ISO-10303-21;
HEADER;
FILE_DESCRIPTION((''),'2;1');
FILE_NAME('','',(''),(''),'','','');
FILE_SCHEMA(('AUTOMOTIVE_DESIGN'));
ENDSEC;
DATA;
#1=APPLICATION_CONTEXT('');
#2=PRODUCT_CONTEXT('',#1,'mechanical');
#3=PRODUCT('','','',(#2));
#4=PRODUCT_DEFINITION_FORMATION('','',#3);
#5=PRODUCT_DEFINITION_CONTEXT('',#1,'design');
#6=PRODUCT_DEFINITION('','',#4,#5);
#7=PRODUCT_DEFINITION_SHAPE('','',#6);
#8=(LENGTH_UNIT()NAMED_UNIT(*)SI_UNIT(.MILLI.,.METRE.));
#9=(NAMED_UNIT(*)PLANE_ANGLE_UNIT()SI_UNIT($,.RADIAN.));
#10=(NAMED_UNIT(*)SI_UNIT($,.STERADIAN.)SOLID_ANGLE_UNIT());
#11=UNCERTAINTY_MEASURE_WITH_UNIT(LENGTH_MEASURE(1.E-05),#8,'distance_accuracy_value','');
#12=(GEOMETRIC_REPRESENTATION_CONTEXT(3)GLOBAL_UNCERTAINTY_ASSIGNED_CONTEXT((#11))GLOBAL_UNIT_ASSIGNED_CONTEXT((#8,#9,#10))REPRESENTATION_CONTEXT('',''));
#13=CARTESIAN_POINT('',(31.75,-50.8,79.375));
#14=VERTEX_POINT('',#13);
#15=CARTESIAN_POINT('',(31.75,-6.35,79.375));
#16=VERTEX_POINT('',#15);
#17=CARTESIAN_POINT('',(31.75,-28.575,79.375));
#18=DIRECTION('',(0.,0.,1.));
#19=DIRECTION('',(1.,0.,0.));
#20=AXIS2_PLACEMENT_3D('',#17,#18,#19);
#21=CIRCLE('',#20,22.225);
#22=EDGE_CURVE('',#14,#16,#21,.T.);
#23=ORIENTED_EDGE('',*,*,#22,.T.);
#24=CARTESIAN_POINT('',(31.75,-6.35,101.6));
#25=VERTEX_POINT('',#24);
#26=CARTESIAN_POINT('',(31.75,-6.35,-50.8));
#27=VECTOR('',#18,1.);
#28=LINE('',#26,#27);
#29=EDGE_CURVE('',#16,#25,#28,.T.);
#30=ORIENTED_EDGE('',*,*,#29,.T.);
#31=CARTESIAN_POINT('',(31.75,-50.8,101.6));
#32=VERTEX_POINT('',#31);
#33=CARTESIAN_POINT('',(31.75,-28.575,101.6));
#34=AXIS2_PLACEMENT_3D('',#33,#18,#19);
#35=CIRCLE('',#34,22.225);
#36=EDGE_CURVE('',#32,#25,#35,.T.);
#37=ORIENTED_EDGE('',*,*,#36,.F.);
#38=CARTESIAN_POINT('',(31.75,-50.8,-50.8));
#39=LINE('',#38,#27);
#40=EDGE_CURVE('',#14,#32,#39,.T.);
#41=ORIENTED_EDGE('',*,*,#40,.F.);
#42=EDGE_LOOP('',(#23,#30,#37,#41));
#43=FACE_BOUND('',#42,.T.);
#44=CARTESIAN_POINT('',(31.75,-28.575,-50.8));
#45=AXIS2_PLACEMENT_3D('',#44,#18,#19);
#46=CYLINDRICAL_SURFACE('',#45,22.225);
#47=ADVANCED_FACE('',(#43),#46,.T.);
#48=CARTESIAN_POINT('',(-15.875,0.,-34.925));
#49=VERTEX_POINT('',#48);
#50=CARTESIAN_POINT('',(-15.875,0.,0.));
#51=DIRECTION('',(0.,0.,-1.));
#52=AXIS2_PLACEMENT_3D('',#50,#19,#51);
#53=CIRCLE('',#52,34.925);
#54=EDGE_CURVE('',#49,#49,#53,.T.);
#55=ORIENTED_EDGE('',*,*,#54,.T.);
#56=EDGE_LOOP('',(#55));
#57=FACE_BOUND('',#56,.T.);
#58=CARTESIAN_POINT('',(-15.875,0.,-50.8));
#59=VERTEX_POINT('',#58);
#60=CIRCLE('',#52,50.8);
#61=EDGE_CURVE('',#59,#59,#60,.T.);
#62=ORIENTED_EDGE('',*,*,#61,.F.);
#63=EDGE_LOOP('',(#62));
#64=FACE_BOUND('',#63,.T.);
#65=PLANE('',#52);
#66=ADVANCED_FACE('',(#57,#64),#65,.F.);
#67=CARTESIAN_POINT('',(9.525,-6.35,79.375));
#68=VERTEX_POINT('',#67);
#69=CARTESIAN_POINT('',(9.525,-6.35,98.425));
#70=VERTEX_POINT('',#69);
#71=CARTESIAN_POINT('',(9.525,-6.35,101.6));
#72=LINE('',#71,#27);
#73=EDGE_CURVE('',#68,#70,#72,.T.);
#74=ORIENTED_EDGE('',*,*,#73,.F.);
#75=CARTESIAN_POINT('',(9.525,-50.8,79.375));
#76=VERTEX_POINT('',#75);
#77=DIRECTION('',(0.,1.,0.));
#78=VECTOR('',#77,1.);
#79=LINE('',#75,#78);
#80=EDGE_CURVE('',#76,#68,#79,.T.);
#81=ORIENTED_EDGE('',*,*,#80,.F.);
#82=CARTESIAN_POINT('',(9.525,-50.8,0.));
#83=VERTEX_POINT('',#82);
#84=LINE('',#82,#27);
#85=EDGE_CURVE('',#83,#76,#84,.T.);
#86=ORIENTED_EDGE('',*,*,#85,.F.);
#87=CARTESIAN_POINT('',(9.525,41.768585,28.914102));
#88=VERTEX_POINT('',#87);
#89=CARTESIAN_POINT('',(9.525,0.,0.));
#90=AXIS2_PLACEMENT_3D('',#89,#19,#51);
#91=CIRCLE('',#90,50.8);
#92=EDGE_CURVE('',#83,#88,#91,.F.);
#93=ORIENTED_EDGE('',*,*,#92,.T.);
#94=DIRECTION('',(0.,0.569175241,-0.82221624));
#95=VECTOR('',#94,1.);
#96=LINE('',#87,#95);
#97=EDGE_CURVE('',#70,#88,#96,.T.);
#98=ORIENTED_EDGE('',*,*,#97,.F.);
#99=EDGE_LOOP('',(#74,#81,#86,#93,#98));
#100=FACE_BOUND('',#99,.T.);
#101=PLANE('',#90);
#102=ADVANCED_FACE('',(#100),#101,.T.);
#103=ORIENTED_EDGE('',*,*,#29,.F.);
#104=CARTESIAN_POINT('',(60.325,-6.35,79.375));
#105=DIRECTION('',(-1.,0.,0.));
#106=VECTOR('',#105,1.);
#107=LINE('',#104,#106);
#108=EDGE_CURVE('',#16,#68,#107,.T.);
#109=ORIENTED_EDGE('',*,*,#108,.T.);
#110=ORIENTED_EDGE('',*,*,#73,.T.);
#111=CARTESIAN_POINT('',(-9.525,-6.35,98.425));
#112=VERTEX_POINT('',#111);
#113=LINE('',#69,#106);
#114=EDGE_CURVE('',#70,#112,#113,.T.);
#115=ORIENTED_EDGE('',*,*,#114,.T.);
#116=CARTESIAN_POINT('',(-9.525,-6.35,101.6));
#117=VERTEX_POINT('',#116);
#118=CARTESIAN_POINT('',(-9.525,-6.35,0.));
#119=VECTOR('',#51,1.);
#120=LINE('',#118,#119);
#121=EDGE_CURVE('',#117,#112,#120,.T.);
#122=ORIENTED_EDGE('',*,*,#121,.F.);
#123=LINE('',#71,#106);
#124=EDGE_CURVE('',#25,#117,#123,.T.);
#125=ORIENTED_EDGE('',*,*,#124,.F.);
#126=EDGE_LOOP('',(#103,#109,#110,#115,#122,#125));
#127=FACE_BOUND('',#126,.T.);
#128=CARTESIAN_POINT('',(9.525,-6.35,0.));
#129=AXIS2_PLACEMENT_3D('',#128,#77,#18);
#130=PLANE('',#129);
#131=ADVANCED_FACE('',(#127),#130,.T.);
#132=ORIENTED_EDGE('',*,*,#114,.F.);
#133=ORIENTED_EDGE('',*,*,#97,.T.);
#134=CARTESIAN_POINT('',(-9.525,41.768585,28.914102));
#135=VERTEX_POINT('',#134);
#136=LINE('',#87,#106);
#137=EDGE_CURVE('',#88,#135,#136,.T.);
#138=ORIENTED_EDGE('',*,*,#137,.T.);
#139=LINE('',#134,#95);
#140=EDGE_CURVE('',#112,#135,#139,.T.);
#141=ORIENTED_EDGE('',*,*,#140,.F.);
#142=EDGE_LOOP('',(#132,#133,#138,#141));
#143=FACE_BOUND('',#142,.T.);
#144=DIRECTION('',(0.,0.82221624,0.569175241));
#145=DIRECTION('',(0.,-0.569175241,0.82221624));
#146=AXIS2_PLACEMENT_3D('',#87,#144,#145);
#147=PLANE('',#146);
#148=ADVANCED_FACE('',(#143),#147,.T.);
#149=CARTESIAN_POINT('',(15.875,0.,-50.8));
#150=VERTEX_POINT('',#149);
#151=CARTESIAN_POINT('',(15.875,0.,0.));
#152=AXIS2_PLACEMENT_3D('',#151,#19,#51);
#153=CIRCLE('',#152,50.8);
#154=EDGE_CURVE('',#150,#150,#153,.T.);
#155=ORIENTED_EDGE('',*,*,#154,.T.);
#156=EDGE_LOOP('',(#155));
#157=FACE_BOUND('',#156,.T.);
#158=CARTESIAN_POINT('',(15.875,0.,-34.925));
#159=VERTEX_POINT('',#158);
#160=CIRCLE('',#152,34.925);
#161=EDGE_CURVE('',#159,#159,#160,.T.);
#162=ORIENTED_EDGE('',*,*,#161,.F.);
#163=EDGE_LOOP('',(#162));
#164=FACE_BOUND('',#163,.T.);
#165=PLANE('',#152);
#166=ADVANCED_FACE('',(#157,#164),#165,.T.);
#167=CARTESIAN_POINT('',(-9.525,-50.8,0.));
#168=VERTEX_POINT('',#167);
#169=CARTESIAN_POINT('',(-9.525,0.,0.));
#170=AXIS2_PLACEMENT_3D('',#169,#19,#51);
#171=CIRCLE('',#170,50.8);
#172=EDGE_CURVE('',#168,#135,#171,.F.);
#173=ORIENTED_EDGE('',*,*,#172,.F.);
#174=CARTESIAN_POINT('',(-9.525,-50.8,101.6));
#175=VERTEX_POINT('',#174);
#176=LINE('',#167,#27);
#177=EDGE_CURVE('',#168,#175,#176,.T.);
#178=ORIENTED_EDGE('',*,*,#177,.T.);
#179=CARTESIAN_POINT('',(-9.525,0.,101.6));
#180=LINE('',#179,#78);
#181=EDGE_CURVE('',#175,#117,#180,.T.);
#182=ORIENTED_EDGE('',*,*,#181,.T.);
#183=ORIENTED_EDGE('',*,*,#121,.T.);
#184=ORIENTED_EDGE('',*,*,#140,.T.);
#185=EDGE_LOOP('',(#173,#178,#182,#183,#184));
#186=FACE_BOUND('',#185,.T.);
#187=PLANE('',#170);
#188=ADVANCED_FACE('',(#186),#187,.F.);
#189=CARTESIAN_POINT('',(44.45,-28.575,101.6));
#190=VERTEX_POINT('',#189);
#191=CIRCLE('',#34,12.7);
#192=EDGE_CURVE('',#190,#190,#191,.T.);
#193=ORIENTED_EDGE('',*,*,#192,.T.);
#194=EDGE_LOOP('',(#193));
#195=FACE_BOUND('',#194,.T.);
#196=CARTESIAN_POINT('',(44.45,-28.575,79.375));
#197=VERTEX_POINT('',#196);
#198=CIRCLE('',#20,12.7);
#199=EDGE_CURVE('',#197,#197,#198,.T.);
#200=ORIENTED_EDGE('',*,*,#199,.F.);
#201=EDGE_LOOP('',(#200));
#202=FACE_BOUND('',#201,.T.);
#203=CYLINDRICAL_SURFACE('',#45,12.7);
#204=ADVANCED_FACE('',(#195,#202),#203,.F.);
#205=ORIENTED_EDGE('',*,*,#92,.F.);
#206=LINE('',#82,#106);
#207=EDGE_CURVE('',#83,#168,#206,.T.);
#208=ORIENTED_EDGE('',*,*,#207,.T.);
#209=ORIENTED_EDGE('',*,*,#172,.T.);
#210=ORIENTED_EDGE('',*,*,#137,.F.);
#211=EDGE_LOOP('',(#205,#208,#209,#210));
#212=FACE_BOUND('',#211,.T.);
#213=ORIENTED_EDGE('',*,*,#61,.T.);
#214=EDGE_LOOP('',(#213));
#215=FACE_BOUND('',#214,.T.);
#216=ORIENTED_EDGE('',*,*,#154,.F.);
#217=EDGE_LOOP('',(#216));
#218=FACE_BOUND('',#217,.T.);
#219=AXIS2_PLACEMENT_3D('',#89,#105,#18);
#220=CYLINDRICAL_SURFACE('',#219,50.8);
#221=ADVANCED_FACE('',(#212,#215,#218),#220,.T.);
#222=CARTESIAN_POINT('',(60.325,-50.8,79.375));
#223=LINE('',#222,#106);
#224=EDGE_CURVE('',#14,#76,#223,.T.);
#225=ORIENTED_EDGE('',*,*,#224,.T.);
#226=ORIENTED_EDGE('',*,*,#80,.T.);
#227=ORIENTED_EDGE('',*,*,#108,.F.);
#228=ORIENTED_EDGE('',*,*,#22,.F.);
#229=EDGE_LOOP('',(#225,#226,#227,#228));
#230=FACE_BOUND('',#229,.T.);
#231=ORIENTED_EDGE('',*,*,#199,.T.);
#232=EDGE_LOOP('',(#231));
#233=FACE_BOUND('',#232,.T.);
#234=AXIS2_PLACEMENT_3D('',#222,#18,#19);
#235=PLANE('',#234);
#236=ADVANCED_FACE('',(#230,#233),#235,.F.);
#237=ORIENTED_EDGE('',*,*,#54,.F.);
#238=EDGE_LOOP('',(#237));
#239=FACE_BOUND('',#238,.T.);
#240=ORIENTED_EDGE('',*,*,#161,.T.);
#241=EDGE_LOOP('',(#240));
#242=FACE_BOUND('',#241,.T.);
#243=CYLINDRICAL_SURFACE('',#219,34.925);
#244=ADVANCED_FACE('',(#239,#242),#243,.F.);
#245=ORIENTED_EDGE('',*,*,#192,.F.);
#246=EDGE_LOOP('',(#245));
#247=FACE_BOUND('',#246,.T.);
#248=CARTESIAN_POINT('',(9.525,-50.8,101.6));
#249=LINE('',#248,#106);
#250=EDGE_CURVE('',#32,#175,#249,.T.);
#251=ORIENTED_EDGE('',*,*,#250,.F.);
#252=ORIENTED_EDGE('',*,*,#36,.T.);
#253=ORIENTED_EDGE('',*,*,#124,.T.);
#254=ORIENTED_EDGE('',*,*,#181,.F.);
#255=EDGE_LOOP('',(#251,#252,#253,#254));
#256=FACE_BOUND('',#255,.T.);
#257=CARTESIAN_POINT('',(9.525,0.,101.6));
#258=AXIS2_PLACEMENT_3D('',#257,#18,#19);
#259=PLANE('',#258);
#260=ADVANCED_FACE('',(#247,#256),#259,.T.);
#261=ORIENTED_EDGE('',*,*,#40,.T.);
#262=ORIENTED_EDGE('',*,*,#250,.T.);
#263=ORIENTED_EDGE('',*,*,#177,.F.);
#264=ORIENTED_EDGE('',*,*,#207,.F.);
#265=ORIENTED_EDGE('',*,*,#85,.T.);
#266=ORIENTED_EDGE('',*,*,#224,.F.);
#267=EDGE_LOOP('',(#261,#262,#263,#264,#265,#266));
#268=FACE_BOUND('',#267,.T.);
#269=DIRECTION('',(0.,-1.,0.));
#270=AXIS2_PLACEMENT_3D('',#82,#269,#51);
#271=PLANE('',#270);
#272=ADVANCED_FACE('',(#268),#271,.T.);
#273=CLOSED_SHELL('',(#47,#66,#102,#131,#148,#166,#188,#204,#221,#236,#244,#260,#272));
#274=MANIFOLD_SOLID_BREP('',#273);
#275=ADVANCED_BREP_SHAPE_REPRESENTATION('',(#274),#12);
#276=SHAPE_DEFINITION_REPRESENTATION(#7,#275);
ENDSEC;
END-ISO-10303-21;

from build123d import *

# Parameters (mm, degrees)
SKETCH1_R           = 34.925
BOSS_EXTRUDE1_DEPTH = 9.525
SKETCH1_3_R         = 34.925
BOSS_EXTRUDE2_DEPTH = 15.875
SKETCH2_W           = 22.225
SKETCH2_H           = 44.45
BOSS_EXTRUDE3_DEPTH = 50.8
SKETCH3_R           = 12.7
CUT_EXTRUDE1_DEPTH  = 172.596927784


with BuildPart() as part:
    # Sketch1 → Boss-Extrude1 (new, symmetric)
    with BuildSketch(Plane(origin=(0, 0, 0), x_dir=(0, 0, -1), z_dir=(1, 0, 0))):
        with BuildLine():
            Line((-101.6, -50.8), (0, -50.8))
            ThreePointArc((0, -50.8), (48.489607735, 15.145888606), (-28.914102256, 41.768584974))
            Line((-28.914102256, 41.768584974), (-98.425, -6.35))
            Line((-98.425, -6.35), (-101.6, -6.35))
            Line((-101.6, -6.35), (-101.6, -50.8))
        make_face()
        Circle(SKETCH1_R, mode=Mode.SUBTRACT)
    extrude(amount=BOSS_EXTRUDE1_DEPTH, both=True)

    # Sketch1<3> → Boss-Extrude2 (add, symmetric)
    with BuildSketch(Plane(origin=(0, 0, 0), x_dir=(0, 0, -1), z_dir=(1, 0, 0))):
        with BuildLine():
            ThreePointArc((-28.914102256, 41.768584974), (-48.489607735, -15.145888606), (0, -50.8))
            ThreePointArc((0, -50.8), (35.921024484, -35.921024484), (50.8, 0))
            ThreePointArc((50.8, 0), (23.577569906, 44.997090987), (-28.914102256, 41.768584974))
        make_face()
        Circle(SKETCH1_3_R, mode=Mode.SUBTRACT)
    extrude(amount=BOSS_EXTRUDE2_DEPTH, both=True)

    # Sketch2 → Boss-Extrude3 (add)
    with BuildSketch(Plane(origin=(9.525, 0, 0), x_dir=(0, 0, -1), z_dir=(1, 0, 0))):
        with Locations((-90.4875, -28.575)):
            Rectangle(SKETCH2_W, SKETCH2_H)
    extrude(amount=BOSS_EXTRUDE3_DEPTH)

    # Sketch3 → Cut-Extrude1 (cut, through all)
    with BuildSketch(Plane.XY.offset(101.6)):
        with BuildLine():
            Line((60.325, -50.8), (60.325, -6.35))
            Line((60.325, -6.35), (31.75, -6.35))
            ThreePointArc((31.75, -6.35), (53.975, -28.575), (31.75, -50.8))
            Line((31.75, -50.8), (60.325, -50.8))
        make_face()
        with Locations((31.75, -28.575)):
            Circle(SKETCH3_R)
    extrude(amount=-CUT_EXTRUDE1_DEPTH, mode=Mode.SUBTRACT)


solid = part.part
